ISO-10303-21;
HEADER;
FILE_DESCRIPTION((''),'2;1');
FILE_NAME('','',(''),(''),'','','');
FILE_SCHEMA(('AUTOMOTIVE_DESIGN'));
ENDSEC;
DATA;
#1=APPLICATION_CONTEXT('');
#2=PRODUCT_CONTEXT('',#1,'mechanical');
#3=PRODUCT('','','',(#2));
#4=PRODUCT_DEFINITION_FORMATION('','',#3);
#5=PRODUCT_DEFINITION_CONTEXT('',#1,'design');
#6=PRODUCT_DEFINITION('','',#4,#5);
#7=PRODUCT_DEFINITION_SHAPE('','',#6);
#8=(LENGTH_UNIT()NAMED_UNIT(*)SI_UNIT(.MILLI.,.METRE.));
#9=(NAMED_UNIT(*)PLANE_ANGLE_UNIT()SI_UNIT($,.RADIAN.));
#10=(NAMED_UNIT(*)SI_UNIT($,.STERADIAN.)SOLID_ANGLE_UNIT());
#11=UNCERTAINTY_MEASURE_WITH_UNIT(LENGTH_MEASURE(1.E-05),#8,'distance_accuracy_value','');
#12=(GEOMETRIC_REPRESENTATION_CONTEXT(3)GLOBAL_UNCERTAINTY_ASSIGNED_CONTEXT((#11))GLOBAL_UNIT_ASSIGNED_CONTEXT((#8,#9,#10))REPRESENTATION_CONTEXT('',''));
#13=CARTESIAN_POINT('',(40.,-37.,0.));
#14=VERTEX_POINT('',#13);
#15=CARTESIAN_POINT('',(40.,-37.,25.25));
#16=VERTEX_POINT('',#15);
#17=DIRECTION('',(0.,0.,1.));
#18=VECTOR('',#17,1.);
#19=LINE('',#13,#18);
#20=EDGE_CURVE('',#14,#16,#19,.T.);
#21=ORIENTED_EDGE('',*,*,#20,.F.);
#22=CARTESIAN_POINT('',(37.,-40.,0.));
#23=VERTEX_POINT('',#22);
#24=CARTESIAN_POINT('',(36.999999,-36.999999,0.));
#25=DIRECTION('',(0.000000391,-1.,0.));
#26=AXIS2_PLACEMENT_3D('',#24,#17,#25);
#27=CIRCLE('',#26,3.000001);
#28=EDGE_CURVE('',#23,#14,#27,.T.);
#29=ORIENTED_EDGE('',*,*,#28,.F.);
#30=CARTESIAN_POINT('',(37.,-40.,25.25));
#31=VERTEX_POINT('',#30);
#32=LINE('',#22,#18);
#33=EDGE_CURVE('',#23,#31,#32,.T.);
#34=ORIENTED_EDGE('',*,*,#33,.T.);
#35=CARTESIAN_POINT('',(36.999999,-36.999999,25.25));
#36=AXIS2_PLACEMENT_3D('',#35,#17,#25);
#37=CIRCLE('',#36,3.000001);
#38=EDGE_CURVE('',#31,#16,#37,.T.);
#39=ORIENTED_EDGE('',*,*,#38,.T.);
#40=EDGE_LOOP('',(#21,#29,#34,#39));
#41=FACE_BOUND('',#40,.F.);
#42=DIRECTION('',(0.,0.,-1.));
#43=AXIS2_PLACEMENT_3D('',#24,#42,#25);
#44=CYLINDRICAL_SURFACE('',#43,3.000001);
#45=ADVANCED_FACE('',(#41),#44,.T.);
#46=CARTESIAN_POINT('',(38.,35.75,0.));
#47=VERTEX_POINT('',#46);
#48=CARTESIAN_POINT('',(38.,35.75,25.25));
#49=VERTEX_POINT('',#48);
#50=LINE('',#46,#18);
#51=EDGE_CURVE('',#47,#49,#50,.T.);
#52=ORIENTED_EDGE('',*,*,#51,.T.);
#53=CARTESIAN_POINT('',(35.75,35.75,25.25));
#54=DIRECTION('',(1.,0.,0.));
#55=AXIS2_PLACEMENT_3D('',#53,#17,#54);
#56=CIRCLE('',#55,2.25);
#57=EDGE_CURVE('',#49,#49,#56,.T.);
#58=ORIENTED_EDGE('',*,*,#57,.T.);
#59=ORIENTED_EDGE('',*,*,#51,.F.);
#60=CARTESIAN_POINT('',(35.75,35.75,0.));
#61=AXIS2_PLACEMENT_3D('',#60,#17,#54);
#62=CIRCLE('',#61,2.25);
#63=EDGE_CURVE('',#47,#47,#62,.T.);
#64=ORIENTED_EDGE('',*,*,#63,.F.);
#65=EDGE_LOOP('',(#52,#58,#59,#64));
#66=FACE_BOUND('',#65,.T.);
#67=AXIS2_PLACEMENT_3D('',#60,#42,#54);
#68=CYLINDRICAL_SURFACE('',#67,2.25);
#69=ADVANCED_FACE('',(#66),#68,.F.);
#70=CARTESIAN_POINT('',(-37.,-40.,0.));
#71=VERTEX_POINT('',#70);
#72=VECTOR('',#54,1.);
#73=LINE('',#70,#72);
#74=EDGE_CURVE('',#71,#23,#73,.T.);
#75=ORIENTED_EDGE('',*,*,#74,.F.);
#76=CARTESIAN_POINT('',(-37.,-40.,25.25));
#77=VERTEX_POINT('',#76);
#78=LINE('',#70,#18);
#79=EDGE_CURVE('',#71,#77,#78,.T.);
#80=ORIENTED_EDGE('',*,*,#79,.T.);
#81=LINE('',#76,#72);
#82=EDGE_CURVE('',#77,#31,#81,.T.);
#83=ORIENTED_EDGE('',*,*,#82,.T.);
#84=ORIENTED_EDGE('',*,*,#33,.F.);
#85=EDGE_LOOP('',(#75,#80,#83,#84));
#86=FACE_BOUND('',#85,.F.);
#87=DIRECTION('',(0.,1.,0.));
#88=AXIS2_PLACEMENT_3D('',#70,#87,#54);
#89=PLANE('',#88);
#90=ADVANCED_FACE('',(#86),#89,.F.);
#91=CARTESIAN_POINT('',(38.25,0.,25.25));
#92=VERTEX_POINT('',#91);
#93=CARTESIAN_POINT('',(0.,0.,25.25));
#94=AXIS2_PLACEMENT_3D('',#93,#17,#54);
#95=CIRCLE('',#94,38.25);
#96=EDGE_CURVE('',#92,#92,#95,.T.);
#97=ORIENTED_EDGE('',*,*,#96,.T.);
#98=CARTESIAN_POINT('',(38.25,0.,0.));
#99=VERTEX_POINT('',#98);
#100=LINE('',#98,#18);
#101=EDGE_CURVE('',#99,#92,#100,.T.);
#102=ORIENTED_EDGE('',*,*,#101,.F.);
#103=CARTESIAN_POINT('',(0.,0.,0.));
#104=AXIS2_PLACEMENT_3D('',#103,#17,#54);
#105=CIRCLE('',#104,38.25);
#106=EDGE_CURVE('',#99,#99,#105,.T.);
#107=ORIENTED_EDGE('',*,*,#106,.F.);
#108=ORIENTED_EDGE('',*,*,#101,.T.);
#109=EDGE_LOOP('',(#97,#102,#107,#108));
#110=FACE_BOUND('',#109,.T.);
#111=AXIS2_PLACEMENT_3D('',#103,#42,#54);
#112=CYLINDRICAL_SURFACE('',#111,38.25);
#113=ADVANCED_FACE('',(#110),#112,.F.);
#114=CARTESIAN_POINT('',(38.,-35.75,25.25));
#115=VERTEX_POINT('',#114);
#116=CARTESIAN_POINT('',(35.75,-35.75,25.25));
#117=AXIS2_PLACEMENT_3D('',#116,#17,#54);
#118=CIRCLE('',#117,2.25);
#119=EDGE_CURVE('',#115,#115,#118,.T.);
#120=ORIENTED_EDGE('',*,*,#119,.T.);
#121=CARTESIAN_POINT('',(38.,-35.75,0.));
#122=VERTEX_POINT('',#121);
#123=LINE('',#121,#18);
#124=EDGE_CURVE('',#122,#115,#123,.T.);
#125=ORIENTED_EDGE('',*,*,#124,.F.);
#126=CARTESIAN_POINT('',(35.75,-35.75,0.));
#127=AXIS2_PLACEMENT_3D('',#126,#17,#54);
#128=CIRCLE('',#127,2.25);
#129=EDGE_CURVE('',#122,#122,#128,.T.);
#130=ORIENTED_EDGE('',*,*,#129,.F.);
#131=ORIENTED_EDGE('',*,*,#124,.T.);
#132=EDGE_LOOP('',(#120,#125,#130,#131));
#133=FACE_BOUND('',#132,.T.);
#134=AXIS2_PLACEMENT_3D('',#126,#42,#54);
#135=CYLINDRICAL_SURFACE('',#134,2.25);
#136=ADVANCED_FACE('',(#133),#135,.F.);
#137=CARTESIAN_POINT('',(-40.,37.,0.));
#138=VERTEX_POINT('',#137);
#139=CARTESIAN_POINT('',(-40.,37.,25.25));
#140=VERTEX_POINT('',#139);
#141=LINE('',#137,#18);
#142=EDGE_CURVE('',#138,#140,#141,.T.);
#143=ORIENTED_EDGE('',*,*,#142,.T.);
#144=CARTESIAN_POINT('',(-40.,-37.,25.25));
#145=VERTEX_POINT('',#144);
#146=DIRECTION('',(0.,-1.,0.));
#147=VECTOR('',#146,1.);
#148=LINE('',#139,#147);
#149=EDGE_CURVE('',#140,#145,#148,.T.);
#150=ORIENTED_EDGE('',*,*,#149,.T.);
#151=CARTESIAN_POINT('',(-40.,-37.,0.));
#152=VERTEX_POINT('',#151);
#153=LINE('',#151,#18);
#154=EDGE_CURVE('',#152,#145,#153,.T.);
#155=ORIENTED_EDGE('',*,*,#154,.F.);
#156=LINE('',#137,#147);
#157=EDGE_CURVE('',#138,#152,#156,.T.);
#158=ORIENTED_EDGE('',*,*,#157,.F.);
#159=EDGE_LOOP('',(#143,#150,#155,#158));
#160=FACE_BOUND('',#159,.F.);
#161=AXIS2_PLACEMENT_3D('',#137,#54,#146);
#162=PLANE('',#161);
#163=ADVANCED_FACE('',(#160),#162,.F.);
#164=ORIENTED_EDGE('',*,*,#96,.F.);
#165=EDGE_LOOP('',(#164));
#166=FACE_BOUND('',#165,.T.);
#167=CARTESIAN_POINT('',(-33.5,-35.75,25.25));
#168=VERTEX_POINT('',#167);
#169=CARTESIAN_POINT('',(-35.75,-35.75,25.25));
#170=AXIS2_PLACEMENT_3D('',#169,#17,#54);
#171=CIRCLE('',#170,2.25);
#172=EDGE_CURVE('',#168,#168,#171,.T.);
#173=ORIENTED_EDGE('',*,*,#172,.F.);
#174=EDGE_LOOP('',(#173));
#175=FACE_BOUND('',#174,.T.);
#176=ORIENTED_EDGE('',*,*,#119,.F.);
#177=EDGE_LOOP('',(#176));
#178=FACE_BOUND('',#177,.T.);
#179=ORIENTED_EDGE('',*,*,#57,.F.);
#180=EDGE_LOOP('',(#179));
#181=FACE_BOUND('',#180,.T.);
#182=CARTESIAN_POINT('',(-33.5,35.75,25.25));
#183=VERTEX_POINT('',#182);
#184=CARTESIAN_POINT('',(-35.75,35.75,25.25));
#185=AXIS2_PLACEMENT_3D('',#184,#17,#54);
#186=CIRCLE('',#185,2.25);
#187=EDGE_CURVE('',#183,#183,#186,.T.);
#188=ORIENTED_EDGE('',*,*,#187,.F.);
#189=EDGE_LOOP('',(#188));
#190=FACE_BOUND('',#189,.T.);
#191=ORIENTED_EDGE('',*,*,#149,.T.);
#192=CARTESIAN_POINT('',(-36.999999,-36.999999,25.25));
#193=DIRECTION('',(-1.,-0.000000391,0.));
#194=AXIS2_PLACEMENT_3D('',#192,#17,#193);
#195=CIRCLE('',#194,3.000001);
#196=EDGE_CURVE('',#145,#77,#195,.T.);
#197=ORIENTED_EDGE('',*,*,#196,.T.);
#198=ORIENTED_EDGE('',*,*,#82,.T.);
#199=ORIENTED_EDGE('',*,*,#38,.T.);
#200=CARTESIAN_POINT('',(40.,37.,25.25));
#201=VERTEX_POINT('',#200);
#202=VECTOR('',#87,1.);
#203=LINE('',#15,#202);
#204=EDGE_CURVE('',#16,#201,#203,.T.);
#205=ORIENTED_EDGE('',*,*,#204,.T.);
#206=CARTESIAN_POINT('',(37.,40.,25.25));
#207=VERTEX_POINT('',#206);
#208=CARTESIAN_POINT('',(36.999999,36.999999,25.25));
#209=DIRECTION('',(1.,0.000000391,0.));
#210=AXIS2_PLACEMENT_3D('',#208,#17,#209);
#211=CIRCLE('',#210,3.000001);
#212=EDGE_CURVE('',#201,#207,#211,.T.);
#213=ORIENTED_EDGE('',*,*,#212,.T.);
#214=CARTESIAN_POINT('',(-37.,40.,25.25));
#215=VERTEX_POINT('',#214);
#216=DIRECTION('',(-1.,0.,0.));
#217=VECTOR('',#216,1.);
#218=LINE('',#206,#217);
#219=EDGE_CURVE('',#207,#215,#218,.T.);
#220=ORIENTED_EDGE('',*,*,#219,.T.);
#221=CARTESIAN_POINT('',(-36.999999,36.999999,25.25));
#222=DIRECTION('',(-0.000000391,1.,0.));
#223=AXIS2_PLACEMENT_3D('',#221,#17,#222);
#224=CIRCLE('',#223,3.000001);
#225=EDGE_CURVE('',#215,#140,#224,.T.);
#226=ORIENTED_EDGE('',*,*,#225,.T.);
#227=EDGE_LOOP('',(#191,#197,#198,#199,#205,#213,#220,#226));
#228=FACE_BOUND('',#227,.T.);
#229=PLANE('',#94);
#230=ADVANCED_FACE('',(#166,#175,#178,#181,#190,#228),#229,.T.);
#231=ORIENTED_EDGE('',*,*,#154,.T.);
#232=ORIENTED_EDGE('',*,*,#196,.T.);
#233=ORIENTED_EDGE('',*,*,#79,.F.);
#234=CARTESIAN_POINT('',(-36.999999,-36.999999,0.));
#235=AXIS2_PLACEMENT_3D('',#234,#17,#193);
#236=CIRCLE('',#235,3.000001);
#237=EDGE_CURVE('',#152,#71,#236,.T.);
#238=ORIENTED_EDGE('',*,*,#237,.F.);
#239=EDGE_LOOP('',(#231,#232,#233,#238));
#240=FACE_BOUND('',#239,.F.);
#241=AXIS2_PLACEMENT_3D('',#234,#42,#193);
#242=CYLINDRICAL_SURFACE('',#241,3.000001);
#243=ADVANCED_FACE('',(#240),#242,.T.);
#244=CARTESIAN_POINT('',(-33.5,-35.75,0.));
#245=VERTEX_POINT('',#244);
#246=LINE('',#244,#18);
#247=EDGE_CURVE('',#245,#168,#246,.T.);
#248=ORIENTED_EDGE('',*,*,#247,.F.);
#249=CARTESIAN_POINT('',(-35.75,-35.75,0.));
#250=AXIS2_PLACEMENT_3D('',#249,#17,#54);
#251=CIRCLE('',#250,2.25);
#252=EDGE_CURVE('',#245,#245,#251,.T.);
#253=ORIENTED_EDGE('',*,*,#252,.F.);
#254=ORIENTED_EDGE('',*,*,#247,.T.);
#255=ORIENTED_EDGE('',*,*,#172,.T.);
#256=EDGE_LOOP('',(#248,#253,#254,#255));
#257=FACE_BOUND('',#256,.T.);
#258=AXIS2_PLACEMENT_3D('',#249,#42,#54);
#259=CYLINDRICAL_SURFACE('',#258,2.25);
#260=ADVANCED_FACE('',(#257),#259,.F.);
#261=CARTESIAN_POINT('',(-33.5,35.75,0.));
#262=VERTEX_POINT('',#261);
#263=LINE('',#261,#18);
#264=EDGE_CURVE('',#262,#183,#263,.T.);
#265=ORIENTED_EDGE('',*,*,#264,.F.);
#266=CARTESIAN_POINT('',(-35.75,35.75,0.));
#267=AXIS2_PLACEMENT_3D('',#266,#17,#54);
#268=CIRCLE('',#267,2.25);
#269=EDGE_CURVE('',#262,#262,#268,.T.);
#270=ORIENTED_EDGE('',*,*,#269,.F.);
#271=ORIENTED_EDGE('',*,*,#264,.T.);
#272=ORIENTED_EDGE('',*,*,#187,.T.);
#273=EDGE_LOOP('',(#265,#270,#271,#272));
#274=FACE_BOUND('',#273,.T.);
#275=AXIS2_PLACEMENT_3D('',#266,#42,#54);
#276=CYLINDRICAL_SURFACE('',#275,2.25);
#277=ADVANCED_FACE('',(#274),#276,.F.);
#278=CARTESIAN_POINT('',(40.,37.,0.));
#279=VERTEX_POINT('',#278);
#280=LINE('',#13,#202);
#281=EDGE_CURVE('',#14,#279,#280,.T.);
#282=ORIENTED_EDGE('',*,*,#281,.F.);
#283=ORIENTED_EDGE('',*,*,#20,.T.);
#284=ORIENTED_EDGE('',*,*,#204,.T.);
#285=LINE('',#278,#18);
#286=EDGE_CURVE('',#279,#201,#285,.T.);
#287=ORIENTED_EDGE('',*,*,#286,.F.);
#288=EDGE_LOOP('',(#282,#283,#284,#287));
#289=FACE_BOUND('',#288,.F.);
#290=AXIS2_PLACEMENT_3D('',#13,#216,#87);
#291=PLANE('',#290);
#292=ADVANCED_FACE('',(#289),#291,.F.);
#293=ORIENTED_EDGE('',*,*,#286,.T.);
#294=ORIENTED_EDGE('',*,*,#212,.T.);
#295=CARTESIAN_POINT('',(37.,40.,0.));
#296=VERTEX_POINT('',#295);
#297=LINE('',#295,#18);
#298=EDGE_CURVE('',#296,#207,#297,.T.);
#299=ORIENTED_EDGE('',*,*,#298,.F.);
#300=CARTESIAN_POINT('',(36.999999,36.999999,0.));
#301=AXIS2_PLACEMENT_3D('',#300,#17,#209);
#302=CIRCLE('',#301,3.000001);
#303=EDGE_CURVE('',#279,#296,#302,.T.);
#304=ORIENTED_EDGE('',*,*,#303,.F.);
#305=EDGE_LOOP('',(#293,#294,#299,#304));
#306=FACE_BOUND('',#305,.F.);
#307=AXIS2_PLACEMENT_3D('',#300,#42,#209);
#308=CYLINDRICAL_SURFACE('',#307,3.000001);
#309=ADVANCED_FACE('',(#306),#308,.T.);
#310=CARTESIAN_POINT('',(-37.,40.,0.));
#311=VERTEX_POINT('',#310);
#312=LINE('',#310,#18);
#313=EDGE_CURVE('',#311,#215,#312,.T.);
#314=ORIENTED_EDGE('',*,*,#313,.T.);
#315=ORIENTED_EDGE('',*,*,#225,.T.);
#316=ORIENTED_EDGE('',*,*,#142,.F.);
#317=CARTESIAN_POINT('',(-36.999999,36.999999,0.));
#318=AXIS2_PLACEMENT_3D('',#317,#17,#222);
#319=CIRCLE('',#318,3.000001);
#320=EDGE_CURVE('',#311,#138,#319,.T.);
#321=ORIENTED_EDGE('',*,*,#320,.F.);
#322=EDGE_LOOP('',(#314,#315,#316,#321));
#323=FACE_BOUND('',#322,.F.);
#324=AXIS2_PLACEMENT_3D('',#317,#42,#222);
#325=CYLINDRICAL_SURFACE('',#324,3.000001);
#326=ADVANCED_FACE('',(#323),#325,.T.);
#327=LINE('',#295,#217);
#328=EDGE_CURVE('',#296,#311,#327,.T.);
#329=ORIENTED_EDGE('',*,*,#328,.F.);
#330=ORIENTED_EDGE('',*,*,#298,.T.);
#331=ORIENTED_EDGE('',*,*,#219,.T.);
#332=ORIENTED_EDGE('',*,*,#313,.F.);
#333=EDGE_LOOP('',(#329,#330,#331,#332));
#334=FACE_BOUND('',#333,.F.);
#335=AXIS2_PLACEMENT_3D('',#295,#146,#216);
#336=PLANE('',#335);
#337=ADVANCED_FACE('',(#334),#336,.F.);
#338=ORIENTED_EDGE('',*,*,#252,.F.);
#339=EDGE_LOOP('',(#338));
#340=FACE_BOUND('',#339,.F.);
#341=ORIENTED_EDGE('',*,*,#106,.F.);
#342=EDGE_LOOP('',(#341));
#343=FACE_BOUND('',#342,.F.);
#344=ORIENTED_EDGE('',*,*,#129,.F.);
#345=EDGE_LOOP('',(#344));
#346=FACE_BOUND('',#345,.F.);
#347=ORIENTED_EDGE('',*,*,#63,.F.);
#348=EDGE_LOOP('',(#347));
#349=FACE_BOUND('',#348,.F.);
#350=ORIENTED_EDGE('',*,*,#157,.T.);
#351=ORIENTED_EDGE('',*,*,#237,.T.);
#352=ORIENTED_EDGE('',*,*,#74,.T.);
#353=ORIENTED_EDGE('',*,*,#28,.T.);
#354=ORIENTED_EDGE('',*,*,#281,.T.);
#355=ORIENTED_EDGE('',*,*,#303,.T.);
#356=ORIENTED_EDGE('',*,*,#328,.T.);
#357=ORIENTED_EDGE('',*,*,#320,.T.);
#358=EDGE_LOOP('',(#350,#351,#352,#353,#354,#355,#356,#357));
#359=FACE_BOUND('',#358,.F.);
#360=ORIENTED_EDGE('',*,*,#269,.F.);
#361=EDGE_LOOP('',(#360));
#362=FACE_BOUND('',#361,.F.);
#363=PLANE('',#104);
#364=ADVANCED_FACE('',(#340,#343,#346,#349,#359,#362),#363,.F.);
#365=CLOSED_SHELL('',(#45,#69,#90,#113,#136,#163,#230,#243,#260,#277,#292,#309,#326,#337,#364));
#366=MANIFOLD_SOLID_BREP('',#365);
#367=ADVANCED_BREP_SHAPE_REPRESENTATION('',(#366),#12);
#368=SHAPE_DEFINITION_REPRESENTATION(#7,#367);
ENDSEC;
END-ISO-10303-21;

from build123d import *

# Parameters (mm, degrees)
F0_R     = 2.25
F0_R_2   = 38.25
F1_DEPTH = 25.25
F2_R     = 16.5
F3_DEPTH = 25.25


with BuildPart() as f1:
    # F0 (on Top) → F1 (new body)
    with BuildSketch(Plane.XY):
        with BuildLine():
            Line((-37, -40), (37, -40))
            ThreePointArc((37, -40), (39.12132, -39.12132), (40, -37))
            Line((40, -37), (40, 37))
            ThreePointArc((40, 37), (39.12132, 39.12132), (37, 40))
            Line((37, 40), (-37, 40))
            ThreePointArc((-37, 40), (-39.12132, 39.12132), (-40, 37))
            Line((-40, 37), (-40, -37))
            ThreePointArc((-40, -37), (-39.12132, -39.12132), (-37, -40))
        make_face()
        with Locations((-35.75, -35.75)):
            Circle(F0_R, mode=Mode.SUBTRACT)
        with Locations((35.75, -35.75)):
            Circle(F0_R, mode=Mode.SUBTRACT)
        with Locations((-35.75, 35.75)):
            Circle(F0_R, mode=Mode.SUBTRACT)
        Circle(F0_R_2, mode=Mode.SUBTRACT)
        with Locations((35.75, 35.75)):
            Circle(F0_R, mode=Mode.SUBTRACT)
    extrude(amount=F1_DEPTH)


with BuildPart() as f3:
    # F2 (on Top) → F3 (new body)
    with BuildSketch(Plane.XY):
        Circle(F2_R)
    extrude(amount=F3_DEPTH)


solid = f1.part
